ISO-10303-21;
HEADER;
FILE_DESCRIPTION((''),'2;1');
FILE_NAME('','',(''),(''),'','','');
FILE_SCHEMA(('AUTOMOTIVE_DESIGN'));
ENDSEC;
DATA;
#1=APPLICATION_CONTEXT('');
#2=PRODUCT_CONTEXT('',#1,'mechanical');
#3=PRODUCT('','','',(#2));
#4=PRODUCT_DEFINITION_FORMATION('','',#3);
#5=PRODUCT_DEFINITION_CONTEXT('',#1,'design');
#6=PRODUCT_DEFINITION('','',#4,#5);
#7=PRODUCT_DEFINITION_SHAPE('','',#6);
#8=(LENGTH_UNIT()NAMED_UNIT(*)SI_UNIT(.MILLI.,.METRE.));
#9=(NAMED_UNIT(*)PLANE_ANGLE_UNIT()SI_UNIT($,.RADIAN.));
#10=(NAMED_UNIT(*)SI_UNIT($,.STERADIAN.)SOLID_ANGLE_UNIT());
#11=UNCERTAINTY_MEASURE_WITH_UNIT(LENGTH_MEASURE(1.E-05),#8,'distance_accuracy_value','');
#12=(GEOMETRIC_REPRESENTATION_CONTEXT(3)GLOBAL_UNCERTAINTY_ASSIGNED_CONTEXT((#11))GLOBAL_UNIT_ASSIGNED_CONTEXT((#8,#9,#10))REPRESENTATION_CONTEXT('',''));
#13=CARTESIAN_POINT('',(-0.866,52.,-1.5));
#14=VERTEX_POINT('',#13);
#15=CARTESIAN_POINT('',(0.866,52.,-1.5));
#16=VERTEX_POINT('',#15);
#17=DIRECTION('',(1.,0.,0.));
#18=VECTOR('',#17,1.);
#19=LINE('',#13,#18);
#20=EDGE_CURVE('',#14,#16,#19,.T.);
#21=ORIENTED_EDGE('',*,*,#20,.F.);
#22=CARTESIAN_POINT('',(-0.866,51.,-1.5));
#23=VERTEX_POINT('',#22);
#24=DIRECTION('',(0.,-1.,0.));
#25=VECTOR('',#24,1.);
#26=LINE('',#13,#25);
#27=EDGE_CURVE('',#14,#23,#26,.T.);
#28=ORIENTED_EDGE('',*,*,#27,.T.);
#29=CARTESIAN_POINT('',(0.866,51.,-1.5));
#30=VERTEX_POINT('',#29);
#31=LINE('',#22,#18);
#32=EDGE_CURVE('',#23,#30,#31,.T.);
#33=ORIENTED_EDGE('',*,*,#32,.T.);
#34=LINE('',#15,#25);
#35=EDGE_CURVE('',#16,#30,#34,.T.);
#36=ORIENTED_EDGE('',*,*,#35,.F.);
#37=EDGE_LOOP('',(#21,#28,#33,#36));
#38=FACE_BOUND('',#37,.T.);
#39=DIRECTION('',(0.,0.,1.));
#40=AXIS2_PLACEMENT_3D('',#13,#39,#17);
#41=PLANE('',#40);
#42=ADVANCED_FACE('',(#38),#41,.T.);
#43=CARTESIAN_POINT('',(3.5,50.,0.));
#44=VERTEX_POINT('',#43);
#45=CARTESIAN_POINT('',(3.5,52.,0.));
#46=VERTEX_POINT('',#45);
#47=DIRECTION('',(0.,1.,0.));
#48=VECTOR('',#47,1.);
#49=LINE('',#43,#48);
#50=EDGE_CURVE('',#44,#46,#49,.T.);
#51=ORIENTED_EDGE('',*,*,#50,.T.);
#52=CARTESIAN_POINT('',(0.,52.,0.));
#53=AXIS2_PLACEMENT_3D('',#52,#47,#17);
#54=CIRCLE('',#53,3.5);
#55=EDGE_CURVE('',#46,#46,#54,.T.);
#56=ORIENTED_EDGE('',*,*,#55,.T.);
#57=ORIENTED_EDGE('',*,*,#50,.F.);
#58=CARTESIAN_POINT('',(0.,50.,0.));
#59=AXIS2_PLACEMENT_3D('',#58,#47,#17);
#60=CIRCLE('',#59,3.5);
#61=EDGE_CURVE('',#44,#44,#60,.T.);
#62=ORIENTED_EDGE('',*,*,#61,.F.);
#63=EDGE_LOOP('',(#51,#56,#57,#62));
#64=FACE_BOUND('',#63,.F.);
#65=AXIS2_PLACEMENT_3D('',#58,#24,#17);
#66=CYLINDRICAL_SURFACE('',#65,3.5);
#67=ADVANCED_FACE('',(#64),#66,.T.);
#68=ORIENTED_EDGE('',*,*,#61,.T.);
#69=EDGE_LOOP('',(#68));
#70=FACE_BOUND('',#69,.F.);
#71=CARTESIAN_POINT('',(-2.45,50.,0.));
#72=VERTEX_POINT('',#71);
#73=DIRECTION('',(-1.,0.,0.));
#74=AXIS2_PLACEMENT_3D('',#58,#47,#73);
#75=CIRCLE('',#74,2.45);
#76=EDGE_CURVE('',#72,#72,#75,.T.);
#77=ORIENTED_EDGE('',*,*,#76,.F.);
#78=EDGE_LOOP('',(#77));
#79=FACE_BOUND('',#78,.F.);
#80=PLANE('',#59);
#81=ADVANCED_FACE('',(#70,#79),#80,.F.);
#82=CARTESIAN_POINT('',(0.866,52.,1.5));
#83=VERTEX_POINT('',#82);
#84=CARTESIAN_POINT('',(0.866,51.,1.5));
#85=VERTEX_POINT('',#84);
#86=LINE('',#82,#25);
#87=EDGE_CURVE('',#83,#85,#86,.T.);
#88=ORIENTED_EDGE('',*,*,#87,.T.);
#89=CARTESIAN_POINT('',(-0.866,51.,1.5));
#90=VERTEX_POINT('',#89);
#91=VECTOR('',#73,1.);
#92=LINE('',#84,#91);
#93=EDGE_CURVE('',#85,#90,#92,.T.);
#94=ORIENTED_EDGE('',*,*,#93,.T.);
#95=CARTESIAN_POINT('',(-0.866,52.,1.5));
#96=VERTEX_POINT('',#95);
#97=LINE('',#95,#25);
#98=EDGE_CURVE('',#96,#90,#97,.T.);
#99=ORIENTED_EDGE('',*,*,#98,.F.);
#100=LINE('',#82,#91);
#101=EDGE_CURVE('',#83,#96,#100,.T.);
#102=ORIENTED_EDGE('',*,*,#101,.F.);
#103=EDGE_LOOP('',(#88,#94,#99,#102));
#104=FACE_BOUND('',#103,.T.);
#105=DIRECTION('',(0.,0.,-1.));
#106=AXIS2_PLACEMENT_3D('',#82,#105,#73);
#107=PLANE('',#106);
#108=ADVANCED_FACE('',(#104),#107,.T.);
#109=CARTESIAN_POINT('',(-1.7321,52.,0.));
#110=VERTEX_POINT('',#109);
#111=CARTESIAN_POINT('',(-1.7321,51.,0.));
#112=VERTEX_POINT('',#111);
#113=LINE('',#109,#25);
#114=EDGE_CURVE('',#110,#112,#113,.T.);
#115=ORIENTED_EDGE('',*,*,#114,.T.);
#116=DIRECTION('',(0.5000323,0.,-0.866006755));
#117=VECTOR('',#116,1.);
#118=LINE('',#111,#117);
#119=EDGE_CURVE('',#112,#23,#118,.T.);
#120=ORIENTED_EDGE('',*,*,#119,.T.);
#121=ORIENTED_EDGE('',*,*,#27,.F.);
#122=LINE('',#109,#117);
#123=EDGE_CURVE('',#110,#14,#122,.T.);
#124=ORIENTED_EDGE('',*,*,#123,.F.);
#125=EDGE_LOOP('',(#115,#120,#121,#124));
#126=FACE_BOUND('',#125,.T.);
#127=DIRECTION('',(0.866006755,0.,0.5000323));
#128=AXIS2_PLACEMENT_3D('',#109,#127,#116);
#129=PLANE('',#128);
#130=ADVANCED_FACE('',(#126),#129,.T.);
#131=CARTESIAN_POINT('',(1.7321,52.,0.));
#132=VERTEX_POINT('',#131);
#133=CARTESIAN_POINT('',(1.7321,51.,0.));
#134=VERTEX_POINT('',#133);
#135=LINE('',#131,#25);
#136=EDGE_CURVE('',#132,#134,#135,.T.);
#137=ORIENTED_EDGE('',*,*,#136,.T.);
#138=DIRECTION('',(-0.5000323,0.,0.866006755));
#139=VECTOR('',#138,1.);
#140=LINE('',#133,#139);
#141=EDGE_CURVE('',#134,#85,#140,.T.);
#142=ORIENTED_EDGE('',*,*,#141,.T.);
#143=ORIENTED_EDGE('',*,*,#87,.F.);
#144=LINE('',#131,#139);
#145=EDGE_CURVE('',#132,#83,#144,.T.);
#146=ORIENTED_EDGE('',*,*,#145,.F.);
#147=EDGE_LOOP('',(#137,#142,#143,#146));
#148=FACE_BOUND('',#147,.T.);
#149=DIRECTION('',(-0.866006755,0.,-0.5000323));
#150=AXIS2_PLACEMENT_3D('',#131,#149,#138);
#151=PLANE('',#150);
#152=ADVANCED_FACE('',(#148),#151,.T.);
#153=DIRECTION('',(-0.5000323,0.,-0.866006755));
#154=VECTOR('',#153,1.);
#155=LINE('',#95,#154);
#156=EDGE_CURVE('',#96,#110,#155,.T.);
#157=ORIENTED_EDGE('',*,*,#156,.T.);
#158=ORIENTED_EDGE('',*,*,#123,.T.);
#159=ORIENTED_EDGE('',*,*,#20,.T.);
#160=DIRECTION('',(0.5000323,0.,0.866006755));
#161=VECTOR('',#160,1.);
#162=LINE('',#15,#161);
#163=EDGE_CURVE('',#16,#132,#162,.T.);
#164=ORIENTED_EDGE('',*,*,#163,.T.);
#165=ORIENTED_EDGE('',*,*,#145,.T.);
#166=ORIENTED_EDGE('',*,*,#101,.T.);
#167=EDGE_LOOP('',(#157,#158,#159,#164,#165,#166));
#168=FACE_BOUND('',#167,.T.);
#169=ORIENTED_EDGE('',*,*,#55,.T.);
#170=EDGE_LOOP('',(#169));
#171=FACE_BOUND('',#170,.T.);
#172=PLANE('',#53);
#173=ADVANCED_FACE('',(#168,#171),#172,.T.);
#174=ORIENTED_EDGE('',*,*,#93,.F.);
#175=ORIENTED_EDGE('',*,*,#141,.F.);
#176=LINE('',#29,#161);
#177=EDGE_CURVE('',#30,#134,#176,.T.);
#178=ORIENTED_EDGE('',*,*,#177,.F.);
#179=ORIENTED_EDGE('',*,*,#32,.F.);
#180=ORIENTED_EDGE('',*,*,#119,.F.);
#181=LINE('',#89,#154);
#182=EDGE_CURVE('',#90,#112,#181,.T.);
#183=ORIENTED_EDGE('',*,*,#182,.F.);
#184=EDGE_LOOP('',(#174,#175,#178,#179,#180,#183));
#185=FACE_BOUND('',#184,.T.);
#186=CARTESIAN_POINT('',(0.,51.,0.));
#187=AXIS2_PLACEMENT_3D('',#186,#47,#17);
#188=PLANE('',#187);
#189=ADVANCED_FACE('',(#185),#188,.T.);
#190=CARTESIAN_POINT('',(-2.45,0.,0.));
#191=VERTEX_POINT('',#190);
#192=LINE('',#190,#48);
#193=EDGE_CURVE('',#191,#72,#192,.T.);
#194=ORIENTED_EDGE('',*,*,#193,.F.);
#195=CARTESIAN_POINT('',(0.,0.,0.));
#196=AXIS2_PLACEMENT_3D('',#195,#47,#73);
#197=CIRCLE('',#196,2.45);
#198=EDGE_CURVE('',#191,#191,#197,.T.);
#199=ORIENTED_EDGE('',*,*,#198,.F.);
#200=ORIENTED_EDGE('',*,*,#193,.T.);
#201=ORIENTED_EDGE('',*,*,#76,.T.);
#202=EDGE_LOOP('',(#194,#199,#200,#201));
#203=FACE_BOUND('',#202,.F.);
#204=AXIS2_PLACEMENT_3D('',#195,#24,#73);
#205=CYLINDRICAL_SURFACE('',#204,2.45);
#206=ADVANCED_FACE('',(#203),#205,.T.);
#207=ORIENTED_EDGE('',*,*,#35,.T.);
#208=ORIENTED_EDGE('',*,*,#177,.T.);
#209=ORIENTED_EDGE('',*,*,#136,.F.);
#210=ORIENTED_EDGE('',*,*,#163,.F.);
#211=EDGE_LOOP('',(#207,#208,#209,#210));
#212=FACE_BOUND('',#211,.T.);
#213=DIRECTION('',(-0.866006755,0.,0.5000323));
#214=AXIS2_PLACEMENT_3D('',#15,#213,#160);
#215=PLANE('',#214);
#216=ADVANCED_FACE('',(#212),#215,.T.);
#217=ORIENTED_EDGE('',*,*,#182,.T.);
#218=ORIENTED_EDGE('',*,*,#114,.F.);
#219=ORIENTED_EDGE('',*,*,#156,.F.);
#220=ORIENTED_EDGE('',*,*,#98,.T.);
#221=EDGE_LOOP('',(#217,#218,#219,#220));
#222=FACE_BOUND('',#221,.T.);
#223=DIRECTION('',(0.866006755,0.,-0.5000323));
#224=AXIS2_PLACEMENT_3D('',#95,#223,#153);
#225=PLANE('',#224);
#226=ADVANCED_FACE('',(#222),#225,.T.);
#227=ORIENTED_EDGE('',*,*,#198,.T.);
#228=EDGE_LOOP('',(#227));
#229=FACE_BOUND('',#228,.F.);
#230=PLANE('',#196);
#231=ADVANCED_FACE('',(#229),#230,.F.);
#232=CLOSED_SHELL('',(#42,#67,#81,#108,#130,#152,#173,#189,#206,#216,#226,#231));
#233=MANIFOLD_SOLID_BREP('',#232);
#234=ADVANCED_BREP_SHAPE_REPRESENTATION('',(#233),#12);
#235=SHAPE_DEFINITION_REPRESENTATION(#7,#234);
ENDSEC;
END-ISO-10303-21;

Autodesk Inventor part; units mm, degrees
ref_plane "YZ Plane" through (0, 0, 0) normal (1, 0, 0) x (0, 1, 0)
ref_plane "XZ Plane" through (0, 0, 0) normal (0, 1, 0) x (-1, 0, 0)
ref_plane "XY Plane" through (0, 0, 0) normal (0, 0, 1) x (1, 0, 0)
sketch "Sketch1" plane through (0, 0, 0) normal (0, 1, 0) x (-1, 0, 0)
  circle A0 centre (0, 0) radius 2.45
  dimension "d0" = 4.9
extrude "Extrusion1" add sketch "Sketch1" along normal blind 50
sketch "Sketch2" plane through (0, 50, 0) normal (0, 1, 0) x (1, 0, 0)
  circle A0 centre (0, 0) radius 3.5
  dimension "d3" = 7
extrude "Extrusion2" add sketch "Sketch2" along normal blind 2
thread "Thread1" size "M5x0.8" class "6g" standard "ANSI Metric M Profile" full length
sketch "Sketch3" plane through (0, 52, 0) normal (0, 1, 0) x (1, 0, 0)
  line L0 (0.866, 1.5) -> (1.7321, 0)
  line L1 (1.7321, 0) -> (0.866, -1.5)
  line L2 (0.866, -1.5) -> (-0.866, -1.5)
  line L3 (-0.866, -1.5) -> (-1.7321, 0)
  line L4 (-1.7321, 0) -> (-0.866, 1.5)
  line L5 (-0.866, 1.5) -> (0.866, 1.5)
  point P0 (0, 0)
  point P1 (0, 0)
  dimension "d8" = 3
extrude "Extrusion3" cut sketch "Sketch3" against normal blind 1
equation "\"BendRadius\" = Thickness"
equation "\"BendReliefWidth\" = Thickness"
equation "\"BendReliefDepth\" = 0.5 * Thickness"
equation "\"CornerReliefSize\" = 4 * Thickness"
equation "\"MinimumRemnant\" = 2 * Thickness"
equation "\"TransitionRadius\" = BendRadius"
equation "\"JacobiRadiusSize\" = BendRadius"
equation "\"GapSize\" = Thickness"
equation "\"Thickness\" = 0.5"
properties part number "perno_simple"
